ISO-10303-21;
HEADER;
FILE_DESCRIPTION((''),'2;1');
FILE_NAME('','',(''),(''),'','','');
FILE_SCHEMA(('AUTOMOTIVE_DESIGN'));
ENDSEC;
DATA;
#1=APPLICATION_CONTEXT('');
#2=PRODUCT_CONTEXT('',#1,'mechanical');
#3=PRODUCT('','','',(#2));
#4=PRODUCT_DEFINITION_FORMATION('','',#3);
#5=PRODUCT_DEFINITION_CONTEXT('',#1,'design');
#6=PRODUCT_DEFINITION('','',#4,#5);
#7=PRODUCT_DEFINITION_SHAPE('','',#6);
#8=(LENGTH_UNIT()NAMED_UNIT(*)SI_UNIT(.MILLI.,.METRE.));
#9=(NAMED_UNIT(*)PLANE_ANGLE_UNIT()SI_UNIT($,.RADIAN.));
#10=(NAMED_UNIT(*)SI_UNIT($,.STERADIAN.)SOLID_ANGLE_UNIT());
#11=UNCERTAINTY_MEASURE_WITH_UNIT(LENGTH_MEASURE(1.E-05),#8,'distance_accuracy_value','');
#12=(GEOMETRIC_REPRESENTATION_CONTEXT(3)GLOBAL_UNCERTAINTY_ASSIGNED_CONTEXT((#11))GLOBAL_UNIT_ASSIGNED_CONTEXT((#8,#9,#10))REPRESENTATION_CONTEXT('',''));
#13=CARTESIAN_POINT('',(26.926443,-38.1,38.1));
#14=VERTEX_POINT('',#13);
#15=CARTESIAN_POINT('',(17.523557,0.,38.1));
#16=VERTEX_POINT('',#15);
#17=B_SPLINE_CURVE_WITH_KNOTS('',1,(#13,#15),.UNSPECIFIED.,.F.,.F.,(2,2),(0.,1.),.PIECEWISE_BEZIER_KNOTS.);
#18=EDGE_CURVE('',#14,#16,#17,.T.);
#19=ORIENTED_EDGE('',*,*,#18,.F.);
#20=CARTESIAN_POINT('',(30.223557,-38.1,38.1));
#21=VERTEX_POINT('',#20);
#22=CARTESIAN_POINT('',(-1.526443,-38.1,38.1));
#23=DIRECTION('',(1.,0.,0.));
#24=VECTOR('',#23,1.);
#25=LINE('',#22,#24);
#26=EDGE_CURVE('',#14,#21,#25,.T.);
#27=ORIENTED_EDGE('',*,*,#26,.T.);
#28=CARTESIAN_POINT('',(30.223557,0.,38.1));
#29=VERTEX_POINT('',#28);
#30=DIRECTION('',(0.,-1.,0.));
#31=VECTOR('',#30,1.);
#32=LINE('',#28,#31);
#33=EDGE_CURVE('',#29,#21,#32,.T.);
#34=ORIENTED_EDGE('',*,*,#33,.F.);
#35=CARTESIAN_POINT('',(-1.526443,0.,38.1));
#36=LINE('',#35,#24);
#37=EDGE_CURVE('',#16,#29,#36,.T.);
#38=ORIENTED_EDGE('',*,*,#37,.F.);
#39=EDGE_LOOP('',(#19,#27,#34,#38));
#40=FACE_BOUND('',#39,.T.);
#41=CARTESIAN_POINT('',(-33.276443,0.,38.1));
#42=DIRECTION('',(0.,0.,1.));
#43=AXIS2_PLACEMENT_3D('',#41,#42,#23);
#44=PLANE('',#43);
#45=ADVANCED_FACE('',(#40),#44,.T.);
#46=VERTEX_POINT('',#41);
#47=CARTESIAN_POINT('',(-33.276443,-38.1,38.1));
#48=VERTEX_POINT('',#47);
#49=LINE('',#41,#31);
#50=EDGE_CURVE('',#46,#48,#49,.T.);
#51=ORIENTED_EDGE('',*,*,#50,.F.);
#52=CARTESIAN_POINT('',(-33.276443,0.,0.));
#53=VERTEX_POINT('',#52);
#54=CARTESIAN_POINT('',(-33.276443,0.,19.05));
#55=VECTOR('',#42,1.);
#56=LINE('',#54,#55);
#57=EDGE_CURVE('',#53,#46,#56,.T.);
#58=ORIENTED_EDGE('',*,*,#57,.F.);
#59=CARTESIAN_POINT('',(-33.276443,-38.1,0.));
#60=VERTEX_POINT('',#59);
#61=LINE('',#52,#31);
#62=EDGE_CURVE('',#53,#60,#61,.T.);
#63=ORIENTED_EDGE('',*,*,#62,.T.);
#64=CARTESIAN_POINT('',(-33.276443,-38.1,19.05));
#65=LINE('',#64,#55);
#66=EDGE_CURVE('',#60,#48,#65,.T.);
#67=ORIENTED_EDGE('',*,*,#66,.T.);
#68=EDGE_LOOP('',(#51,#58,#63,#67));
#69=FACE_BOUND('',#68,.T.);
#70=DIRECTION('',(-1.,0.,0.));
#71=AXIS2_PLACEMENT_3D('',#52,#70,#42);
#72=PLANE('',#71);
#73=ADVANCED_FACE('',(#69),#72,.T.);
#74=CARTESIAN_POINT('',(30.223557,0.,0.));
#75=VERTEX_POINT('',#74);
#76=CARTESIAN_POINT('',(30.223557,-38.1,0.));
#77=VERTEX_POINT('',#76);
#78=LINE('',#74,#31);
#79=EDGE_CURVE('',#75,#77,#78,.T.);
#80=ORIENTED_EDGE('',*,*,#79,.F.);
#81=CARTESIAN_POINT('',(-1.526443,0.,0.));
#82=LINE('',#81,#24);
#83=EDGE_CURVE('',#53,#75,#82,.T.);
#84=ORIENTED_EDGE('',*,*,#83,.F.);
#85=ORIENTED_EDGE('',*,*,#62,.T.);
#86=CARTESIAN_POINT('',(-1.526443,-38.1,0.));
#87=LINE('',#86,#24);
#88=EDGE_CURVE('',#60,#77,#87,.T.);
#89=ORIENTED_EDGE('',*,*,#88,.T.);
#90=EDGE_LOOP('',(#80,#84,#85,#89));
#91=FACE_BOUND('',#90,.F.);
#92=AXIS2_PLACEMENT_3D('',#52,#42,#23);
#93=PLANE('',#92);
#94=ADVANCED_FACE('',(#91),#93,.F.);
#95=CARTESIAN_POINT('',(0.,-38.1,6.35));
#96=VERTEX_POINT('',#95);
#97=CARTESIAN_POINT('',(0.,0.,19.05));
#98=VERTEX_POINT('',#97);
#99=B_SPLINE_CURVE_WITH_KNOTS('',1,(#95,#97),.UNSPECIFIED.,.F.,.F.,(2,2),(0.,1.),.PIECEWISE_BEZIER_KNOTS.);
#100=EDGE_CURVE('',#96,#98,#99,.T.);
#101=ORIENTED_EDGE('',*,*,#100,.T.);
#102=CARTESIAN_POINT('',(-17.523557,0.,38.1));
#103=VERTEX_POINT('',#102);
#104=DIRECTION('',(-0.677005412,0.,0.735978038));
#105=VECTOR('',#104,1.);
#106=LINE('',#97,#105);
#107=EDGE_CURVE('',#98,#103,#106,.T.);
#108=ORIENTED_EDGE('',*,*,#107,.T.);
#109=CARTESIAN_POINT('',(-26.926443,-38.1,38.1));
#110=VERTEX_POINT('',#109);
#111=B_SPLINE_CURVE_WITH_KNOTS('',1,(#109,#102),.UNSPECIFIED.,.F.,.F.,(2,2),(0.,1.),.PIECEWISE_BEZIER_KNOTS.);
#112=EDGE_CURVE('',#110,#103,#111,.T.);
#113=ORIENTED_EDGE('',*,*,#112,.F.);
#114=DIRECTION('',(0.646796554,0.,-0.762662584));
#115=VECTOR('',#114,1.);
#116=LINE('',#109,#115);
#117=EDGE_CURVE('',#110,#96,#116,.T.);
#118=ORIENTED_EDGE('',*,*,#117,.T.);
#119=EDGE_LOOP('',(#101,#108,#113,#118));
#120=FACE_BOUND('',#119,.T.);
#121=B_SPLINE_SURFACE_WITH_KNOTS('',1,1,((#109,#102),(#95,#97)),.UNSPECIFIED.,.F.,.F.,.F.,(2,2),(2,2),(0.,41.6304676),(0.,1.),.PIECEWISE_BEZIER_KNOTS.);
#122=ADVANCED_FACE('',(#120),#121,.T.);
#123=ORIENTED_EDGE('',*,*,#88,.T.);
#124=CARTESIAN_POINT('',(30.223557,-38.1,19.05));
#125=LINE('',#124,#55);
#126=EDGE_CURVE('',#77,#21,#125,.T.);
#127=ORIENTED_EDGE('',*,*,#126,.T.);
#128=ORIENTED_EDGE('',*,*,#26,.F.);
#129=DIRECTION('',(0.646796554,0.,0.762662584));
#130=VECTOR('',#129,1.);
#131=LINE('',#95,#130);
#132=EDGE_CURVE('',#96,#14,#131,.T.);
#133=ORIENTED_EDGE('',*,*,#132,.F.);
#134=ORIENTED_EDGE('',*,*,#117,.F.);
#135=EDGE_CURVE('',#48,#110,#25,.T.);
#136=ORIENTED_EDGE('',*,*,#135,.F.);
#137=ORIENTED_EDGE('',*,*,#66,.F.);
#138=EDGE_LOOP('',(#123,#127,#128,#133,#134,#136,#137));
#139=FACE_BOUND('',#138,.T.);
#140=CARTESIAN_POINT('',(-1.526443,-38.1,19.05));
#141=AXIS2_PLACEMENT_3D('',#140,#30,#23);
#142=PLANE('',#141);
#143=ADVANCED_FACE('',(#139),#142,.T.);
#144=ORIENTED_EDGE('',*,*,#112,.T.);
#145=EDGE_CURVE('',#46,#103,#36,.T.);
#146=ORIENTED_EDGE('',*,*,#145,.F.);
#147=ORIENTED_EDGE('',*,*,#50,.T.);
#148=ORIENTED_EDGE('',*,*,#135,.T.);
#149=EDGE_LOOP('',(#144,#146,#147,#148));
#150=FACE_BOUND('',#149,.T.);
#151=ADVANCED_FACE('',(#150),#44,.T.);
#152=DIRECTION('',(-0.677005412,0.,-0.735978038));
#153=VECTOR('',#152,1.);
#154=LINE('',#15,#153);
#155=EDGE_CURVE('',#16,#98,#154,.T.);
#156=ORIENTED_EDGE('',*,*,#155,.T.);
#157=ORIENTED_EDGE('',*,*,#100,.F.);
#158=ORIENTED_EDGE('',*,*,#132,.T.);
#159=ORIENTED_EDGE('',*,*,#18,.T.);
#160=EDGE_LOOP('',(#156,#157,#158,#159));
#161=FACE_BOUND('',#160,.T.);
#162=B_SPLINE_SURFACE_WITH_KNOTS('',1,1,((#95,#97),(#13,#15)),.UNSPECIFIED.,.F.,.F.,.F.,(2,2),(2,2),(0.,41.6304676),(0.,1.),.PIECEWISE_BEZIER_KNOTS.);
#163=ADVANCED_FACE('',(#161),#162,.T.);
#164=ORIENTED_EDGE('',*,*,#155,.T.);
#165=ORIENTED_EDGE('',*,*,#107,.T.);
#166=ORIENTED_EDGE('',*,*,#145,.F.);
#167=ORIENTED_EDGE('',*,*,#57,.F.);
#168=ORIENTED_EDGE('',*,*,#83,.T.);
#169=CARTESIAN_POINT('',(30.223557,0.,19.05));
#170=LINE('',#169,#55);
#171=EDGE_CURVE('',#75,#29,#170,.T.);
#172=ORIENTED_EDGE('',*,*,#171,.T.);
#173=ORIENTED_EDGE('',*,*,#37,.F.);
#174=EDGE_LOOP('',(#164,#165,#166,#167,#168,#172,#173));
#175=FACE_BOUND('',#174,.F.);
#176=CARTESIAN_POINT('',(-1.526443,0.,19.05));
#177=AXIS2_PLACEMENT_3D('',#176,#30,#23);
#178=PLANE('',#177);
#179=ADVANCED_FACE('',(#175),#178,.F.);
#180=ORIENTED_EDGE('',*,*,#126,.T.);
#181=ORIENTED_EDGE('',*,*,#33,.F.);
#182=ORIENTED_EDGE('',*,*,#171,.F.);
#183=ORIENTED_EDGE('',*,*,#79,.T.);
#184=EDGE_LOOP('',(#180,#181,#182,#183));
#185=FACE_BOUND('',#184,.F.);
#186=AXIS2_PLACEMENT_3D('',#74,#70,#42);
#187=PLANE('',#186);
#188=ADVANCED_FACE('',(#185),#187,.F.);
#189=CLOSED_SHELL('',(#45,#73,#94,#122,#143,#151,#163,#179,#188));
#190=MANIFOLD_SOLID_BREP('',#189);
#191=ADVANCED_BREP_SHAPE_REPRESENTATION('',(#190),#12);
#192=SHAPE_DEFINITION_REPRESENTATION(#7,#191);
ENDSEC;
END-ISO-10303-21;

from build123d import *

# Parameters (mm, degrees)
F0_W     = 63.5
F0_H     = 38.1
F1_DEPTH = 38.1


with BuildPart() as f1:
    # F0 (on Front) → F1 (new body)
    with BuildSketch(Plane.XZ):
        with Locations((-1.526443, 19.05)):
            Rectangle(F0_W, F0_H)
    extrude(amount=F1_DEPTH)

    # F2 (on face) → F4 section 0
    with BuildSketch(Plane.XZ.offset(38.1)):
        Polygon((26.926443, 38.1), (-26.926443, 38.1), (0, 6.35), align=None)
    # F3 (on face) → F4 section 1
    with BuildSketch(Plane(origin=(0, 0, 0), x_dir=(-1, 0, 0), z_dir=(0, 1, 0))):
        Polygon((17.523557, 38.1), (-17.523557, 38.1), (0, 19.05), align=None)
    loft(mode=Mode.SUBTRACT)


solid = f1.part
